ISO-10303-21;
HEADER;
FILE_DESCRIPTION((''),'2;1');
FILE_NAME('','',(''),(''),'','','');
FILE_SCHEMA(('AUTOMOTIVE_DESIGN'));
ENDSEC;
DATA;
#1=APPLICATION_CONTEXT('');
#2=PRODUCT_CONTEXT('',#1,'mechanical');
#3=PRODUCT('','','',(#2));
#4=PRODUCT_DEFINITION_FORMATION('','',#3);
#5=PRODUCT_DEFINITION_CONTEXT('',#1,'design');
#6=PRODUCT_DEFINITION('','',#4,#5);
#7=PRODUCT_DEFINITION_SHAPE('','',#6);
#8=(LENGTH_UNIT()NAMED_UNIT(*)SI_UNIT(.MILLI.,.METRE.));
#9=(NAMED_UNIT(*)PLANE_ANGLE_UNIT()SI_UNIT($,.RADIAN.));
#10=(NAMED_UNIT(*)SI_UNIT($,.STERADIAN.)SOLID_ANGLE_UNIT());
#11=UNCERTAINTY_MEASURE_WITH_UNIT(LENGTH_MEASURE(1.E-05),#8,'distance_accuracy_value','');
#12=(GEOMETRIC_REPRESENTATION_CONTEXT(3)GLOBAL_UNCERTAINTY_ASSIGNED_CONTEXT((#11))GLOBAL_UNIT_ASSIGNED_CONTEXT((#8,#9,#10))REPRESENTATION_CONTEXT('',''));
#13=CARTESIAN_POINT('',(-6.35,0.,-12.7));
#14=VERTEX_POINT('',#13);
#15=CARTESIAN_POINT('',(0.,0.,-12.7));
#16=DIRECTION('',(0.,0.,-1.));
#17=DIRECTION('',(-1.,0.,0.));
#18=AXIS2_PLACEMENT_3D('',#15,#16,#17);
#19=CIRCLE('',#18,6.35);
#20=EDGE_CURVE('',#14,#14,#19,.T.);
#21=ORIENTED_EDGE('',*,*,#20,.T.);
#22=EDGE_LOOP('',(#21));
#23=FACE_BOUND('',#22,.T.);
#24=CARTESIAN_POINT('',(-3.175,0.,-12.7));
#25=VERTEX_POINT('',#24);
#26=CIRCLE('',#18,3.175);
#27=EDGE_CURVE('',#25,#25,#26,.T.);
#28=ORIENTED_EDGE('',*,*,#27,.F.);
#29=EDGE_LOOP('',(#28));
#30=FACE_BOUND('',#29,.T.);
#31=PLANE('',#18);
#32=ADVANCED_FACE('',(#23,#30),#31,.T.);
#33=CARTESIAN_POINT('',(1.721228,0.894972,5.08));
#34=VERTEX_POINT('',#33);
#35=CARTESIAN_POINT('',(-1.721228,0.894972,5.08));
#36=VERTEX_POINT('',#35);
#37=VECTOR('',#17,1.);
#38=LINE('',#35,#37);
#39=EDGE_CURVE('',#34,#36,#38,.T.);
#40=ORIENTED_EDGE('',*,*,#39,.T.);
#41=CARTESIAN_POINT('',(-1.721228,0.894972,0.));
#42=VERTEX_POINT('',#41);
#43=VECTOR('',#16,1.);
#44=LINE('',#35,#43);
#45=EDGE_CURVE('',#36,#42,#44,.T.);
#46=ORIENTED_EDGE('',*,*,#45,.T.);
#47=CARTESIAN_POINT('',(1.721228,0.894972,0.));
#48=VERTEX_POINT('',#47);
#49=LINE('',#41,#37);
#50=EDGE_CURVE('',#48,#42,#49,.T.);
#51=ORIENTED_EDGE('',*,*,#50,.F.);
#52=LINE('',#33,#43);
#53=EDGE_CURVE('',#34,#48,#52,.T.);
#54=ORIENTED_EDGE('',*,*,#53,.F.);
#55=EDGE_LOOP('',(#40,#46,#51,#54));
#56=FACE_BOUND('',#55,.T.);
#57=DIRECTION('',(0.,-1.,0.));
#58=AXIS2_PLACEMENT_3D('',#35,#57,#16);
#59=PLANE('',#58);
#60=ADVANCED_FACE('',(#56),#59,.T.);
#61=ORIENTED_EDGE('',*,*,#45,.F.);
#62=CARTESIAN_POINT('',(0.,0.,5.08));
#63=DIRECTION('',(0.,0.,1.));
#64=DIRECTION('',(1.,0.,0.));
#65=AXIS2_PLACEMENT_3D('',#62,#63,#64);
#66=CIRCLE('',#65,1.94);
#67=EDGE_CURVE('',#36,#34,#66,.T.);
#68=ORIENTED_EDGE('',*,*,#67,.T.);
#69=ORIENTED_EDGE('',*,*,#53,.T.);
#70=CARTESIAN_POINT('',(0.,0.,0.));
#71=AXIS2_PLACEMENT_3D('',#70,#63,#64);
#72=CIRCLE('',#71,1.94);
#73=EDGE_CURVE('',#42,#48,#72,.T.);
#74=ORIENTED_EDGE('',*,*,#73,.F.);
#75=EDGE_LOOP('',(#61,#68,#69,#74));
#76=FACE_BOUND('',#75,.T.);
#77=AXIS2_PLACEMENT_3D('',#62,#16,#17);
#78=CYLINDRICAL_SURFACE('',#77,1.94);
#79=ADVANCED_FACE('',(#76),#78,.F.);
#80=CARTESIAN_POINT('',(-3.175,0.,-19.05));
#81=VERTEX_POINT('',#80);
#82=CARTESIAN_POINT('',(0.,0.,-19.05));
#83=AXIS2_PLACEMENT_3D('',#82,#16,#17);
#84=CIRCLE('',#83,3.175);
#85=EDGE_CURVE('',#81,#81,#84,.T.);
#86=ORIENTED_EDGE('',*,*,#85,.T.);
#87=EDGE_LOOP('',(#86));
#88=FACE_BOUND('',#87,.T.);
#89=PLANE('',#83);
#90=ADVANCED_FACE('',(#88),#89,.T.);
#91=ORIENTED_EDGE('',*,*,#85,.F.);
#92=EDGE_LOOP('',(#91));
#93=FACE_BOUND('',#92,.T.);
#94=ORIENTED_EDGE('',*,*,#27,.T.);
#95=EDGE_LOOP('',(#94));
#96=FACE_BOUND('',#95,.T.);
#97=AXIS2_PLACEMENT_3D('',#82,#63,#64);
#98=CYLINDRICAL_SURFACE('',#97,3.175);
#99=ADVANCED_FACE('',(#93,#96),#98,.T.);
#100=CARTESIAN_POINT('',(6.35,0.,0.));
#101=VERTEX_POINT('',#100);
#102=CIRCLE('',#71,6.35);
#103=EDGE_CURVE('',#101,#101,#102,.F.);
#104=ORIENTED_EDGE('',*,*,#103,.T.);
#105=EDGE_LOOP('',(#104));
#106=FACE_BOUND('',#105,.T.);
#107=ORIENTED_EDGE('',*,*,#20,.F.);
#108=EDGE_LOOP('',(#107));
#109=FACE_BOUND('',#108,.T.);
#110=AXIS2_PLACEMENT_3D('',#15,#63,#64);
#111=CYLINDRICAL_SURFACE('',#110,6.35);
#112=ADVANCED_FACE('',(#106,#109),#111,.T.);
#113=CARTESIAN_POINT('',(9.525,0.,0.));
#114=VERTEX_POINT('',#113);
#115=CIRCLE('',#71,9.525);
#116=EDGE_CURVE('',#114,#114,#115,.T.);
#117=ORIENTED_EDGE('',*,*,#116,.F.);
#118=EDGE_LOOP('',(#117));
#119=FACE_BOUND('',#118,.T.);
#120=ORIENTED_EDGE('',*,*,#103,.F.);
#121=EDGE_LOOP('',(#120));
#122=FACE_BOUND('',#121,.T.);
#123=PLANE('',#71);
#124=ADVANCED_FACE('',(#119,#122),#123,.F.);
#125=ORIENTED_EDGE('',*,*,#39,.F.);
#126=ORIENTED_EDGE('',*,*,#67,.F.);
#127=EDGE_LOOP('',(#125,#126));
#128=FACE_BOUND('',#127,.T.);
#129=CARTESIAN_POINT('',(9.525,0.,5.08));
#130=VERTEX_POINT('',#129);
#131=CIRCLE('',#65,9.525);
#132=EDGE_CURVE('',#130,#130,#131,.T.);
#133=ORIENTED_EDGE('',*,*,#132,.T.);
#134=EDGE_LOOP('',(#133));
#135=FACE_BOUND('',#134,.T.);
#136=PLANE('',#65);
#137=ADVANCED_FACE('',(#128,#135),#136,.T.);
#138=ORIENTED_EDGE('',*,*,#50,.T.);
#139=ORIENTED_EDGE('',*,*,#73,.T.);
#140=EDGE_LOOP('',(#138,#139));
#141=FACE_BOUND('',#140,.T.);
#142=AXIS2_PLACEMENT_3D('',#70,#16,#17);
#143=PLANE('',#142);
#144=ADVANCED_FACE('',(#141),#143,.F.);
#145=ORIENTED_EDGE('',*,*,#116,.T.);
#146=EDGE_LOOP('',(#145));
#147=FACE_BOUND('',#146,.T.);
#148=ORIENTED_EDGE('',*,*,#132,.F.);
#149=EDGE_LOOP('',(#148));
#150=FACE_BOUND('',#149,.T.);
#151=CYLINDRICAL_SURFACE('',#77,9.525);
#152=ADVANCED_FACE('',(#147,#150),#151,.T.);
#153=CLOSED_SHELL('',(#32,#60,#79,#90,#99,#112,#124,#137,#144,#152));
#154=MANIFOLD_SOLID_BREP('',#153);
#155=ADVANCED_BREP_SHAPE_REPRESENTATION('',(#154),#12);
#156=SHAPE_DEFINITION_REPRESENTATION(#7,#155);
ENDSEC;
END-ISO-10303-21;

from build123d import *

# Parameters (mm, degrees)
SKETCH1_R           = 9.525
BOSS_EXTRUDE1_DEPTH = 5.08
SKETCH2_R           = 6.35
BOSS_EXTRUDE2_DEPTH = 12.7
SKETCH3_R           = 3.175
BOSS_EXTRUDE3_DEPTH = 6.35


with BuildPart() as part:
    # Sketch1 → Boss-Extrude1 (new body)
    with BuildSketch(Plane.XY):
        Circle(SKETCH1_R)
        with BuildLine():
            Line((-1.721227803, 0.894971982), (1.721227803, 0.894971982))
            ThreePointArc((1.721227803, 0.894971982), (0, -1.94), (-1.721227803, 0.894971982))
        make_face(mode=Mode.SUBTRACT)
    extrude(amount=BOSS_EXTRUDE1_DEPTH)

    # Sketch2 → Boss-Extrude2 (add)
    with BuildSketch(Plane(origin=(0, 0, 0), x_dir=(-1, 0, 0), z_dir=(0, 0, -1))):
        with Locations(Location((0, 0, 0), (0, 0, 180))):
            Circle(SKETCH2_R)
    extrude(amount=BOSS_EXTRUDE2_DEPTH)

    # Sketch3 → Boss-Extrude3 (add)
    with BuildSketch(Plane(origin=(0, 0, -12.7), x_dir=(-1, 0, 0), z_dir=(0, 0, -1))):
        Circle(SKETCH3_R)
    extrude(amount=BOSS_EXTRUDE3_DEPTH)


solid = part.part
